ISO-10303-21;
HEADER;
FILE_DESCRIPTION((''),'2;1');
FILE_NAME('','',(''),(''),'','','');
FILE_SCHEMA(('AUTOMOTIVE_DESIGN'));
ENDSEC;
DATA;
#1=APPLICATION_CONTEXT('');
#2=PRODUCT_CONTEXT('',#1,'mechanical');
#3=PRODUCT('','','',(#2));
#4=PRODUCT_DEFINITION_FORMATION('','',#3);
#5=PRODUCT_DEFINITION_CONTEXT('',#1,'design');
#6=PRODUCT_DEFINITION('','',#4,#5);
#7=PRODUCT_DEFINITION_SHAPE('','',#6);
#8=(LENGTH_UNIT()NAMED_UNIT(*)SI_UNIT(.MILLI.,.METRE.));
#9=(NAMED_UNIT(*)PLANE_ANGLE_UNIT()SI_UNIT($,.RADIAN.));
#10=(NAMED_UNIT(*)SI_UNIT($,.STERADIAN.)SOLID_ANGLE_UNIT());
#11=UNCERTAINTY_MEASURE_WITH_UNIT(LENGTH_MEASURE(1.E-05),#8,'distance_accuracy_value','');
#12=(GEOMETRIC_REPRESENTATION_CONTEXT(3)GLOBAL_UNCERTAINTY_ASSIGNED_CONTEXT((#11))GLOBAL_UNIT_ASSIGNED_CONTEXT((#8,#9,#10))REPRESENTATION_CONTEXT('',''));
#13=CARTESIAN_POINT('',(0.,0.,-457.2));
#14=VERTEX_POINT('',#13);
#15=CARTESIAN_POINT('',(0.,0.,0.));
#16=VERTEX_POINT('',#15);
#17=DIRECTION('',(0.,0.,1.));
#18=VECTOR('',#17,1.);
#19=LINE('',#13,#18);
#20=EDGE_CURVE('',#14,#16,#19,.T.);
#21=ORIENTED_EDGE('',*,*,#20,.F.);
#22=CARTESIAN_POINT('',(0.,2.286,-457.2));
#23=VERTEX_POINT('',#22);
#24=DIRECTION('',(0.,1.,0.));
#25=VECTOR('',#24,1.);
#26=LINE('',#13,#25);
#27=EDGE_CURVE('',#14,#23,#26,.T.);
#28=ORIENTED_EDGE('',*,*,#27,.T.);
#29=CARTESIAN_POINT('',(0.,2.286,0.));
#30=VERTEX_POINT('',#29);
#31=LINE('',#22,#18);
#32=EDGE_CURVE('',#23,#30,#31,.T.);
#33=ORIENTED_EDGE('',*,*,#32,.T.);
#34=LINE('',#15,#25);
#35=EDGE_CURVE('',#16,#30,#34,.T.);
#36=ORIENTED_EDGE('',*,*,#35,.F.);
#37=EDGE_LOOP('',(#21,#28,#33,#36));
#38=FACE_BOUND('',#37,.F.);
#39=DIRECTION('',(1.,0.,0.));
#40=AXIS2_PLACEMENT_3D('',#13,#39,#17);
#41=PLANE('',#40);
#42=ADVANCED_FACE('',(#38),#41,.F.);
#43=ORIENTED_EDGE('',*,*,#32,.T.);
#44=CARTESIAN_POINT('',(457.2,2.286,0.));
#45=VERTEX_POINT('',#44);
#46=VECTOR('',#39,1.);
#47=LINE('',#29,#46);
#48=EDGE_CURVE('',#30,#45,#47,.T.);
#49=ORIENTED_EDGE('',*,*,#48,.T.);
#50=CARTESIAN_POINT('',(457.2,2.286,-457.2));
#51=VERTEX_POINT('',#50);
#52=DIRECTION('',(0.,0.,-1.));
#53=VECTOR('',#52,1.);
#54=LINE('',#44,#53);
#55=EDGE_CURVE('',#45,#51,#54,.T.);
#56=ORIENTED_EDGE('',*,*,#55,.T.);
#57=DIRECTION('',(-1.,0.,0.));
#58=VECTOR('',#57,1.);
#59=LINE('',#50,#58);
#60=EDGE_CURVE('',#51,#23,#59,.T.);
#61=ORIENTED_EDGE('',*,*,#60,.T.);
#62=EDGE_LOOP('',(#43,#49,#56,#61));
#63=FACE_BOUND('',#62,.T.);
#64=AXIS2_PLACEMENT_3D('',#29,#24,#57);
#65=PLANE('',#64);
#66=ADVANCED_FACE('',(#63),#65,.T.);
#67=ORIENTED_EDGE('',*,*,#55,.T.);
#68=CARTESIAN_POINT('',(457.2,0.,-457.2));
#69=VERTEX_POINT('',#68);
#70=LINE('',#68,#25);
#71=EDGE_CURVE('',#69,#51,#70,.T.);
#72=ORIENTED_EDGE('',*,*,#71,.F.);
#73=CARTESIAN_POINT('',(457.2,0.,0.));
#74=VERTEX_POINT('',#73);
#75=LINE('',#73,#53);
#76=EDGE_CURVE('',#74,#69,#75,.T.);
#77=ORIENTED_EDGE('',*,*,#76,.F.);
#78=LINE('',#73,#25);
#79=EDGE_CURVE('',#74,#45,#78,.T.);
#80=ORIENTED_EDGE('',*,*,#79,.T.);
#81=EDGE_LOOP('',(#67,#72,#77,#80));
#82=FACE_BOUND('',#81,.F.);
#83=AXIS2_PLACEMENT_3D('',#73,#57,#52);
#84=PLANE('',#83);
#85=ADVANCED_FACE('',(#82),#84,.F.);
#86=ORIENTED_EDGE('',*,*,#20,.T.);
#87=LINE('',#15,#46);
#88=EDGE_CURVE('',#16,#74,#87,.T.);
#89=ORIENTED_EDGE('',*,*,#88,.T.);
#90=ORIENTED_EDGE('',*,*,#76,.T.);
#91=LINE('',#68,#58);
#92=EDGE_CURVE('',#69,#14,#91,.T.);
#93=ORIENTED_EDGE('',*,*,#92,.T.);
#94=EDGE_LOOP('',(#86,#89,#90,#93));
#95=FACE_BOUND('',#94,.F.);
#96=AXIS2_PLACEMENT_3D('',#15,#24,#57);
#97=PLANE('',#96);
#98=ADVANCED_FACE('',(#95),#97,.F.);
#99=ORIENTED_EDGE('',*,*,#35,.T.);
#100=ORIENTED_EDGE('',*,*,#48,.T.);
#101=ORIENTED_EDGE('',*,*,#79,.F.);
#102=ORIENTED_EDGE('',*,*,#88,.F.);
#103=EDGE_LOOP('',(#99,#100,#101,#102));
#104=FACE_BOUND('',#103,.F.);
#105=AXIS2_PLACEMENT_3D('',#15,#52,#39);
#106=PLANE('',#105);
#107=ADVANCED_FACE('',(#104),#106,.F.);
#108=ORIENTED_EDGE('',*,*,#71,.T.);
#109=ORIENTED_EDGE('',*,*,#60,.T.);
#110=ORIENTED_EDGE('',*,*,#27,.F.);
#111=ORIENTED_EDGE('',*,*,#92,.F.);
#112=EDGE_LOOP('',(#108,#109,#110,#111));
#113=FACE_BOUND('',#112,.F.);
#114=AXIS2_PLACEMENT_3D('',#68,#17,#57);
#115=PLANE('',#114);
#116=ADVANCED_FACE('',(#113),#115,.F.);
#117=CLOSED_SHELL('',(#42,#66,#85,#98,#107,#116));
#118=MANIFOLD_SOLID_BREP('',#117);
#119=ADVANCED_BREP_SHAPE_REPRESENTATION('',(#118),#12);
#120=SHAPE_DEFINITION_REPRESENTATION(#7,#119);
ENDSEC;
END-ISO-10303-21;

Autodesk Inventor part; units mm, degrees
ref_plane "YZ Plane" through (0, 0, 0) normal (1, 0, 0) x (0, 1, 0)
ref_plane "XZ Plane" through (0, 0, 0) normal (0, 1, 0) x (-1, 0, 0)
ref_plane "XY Plane" through (0, 0, 0) normal (0, 0, 1) x (1, 0, 0)
sketch "Sketch1" plane through (0, 0, 0) normal (0, 1, 0) x (-1, 0, 0)
  line L0 (0, 0) -> (-457.2, 0)
  line L1 (-457.2, 0) -> (-457.2, -457.2)
  line L2 (-457.2, -457.2) -> (0, -457.2)
  line L3 (0, -457.2) -> (0, 0)
  dimension "d0" = 457.2
  dimension "d1" = 457.2
extrude "Extrusion1" add sketch "Sketch1" along normal blind 2.286
properties part number "Plate18x18"
